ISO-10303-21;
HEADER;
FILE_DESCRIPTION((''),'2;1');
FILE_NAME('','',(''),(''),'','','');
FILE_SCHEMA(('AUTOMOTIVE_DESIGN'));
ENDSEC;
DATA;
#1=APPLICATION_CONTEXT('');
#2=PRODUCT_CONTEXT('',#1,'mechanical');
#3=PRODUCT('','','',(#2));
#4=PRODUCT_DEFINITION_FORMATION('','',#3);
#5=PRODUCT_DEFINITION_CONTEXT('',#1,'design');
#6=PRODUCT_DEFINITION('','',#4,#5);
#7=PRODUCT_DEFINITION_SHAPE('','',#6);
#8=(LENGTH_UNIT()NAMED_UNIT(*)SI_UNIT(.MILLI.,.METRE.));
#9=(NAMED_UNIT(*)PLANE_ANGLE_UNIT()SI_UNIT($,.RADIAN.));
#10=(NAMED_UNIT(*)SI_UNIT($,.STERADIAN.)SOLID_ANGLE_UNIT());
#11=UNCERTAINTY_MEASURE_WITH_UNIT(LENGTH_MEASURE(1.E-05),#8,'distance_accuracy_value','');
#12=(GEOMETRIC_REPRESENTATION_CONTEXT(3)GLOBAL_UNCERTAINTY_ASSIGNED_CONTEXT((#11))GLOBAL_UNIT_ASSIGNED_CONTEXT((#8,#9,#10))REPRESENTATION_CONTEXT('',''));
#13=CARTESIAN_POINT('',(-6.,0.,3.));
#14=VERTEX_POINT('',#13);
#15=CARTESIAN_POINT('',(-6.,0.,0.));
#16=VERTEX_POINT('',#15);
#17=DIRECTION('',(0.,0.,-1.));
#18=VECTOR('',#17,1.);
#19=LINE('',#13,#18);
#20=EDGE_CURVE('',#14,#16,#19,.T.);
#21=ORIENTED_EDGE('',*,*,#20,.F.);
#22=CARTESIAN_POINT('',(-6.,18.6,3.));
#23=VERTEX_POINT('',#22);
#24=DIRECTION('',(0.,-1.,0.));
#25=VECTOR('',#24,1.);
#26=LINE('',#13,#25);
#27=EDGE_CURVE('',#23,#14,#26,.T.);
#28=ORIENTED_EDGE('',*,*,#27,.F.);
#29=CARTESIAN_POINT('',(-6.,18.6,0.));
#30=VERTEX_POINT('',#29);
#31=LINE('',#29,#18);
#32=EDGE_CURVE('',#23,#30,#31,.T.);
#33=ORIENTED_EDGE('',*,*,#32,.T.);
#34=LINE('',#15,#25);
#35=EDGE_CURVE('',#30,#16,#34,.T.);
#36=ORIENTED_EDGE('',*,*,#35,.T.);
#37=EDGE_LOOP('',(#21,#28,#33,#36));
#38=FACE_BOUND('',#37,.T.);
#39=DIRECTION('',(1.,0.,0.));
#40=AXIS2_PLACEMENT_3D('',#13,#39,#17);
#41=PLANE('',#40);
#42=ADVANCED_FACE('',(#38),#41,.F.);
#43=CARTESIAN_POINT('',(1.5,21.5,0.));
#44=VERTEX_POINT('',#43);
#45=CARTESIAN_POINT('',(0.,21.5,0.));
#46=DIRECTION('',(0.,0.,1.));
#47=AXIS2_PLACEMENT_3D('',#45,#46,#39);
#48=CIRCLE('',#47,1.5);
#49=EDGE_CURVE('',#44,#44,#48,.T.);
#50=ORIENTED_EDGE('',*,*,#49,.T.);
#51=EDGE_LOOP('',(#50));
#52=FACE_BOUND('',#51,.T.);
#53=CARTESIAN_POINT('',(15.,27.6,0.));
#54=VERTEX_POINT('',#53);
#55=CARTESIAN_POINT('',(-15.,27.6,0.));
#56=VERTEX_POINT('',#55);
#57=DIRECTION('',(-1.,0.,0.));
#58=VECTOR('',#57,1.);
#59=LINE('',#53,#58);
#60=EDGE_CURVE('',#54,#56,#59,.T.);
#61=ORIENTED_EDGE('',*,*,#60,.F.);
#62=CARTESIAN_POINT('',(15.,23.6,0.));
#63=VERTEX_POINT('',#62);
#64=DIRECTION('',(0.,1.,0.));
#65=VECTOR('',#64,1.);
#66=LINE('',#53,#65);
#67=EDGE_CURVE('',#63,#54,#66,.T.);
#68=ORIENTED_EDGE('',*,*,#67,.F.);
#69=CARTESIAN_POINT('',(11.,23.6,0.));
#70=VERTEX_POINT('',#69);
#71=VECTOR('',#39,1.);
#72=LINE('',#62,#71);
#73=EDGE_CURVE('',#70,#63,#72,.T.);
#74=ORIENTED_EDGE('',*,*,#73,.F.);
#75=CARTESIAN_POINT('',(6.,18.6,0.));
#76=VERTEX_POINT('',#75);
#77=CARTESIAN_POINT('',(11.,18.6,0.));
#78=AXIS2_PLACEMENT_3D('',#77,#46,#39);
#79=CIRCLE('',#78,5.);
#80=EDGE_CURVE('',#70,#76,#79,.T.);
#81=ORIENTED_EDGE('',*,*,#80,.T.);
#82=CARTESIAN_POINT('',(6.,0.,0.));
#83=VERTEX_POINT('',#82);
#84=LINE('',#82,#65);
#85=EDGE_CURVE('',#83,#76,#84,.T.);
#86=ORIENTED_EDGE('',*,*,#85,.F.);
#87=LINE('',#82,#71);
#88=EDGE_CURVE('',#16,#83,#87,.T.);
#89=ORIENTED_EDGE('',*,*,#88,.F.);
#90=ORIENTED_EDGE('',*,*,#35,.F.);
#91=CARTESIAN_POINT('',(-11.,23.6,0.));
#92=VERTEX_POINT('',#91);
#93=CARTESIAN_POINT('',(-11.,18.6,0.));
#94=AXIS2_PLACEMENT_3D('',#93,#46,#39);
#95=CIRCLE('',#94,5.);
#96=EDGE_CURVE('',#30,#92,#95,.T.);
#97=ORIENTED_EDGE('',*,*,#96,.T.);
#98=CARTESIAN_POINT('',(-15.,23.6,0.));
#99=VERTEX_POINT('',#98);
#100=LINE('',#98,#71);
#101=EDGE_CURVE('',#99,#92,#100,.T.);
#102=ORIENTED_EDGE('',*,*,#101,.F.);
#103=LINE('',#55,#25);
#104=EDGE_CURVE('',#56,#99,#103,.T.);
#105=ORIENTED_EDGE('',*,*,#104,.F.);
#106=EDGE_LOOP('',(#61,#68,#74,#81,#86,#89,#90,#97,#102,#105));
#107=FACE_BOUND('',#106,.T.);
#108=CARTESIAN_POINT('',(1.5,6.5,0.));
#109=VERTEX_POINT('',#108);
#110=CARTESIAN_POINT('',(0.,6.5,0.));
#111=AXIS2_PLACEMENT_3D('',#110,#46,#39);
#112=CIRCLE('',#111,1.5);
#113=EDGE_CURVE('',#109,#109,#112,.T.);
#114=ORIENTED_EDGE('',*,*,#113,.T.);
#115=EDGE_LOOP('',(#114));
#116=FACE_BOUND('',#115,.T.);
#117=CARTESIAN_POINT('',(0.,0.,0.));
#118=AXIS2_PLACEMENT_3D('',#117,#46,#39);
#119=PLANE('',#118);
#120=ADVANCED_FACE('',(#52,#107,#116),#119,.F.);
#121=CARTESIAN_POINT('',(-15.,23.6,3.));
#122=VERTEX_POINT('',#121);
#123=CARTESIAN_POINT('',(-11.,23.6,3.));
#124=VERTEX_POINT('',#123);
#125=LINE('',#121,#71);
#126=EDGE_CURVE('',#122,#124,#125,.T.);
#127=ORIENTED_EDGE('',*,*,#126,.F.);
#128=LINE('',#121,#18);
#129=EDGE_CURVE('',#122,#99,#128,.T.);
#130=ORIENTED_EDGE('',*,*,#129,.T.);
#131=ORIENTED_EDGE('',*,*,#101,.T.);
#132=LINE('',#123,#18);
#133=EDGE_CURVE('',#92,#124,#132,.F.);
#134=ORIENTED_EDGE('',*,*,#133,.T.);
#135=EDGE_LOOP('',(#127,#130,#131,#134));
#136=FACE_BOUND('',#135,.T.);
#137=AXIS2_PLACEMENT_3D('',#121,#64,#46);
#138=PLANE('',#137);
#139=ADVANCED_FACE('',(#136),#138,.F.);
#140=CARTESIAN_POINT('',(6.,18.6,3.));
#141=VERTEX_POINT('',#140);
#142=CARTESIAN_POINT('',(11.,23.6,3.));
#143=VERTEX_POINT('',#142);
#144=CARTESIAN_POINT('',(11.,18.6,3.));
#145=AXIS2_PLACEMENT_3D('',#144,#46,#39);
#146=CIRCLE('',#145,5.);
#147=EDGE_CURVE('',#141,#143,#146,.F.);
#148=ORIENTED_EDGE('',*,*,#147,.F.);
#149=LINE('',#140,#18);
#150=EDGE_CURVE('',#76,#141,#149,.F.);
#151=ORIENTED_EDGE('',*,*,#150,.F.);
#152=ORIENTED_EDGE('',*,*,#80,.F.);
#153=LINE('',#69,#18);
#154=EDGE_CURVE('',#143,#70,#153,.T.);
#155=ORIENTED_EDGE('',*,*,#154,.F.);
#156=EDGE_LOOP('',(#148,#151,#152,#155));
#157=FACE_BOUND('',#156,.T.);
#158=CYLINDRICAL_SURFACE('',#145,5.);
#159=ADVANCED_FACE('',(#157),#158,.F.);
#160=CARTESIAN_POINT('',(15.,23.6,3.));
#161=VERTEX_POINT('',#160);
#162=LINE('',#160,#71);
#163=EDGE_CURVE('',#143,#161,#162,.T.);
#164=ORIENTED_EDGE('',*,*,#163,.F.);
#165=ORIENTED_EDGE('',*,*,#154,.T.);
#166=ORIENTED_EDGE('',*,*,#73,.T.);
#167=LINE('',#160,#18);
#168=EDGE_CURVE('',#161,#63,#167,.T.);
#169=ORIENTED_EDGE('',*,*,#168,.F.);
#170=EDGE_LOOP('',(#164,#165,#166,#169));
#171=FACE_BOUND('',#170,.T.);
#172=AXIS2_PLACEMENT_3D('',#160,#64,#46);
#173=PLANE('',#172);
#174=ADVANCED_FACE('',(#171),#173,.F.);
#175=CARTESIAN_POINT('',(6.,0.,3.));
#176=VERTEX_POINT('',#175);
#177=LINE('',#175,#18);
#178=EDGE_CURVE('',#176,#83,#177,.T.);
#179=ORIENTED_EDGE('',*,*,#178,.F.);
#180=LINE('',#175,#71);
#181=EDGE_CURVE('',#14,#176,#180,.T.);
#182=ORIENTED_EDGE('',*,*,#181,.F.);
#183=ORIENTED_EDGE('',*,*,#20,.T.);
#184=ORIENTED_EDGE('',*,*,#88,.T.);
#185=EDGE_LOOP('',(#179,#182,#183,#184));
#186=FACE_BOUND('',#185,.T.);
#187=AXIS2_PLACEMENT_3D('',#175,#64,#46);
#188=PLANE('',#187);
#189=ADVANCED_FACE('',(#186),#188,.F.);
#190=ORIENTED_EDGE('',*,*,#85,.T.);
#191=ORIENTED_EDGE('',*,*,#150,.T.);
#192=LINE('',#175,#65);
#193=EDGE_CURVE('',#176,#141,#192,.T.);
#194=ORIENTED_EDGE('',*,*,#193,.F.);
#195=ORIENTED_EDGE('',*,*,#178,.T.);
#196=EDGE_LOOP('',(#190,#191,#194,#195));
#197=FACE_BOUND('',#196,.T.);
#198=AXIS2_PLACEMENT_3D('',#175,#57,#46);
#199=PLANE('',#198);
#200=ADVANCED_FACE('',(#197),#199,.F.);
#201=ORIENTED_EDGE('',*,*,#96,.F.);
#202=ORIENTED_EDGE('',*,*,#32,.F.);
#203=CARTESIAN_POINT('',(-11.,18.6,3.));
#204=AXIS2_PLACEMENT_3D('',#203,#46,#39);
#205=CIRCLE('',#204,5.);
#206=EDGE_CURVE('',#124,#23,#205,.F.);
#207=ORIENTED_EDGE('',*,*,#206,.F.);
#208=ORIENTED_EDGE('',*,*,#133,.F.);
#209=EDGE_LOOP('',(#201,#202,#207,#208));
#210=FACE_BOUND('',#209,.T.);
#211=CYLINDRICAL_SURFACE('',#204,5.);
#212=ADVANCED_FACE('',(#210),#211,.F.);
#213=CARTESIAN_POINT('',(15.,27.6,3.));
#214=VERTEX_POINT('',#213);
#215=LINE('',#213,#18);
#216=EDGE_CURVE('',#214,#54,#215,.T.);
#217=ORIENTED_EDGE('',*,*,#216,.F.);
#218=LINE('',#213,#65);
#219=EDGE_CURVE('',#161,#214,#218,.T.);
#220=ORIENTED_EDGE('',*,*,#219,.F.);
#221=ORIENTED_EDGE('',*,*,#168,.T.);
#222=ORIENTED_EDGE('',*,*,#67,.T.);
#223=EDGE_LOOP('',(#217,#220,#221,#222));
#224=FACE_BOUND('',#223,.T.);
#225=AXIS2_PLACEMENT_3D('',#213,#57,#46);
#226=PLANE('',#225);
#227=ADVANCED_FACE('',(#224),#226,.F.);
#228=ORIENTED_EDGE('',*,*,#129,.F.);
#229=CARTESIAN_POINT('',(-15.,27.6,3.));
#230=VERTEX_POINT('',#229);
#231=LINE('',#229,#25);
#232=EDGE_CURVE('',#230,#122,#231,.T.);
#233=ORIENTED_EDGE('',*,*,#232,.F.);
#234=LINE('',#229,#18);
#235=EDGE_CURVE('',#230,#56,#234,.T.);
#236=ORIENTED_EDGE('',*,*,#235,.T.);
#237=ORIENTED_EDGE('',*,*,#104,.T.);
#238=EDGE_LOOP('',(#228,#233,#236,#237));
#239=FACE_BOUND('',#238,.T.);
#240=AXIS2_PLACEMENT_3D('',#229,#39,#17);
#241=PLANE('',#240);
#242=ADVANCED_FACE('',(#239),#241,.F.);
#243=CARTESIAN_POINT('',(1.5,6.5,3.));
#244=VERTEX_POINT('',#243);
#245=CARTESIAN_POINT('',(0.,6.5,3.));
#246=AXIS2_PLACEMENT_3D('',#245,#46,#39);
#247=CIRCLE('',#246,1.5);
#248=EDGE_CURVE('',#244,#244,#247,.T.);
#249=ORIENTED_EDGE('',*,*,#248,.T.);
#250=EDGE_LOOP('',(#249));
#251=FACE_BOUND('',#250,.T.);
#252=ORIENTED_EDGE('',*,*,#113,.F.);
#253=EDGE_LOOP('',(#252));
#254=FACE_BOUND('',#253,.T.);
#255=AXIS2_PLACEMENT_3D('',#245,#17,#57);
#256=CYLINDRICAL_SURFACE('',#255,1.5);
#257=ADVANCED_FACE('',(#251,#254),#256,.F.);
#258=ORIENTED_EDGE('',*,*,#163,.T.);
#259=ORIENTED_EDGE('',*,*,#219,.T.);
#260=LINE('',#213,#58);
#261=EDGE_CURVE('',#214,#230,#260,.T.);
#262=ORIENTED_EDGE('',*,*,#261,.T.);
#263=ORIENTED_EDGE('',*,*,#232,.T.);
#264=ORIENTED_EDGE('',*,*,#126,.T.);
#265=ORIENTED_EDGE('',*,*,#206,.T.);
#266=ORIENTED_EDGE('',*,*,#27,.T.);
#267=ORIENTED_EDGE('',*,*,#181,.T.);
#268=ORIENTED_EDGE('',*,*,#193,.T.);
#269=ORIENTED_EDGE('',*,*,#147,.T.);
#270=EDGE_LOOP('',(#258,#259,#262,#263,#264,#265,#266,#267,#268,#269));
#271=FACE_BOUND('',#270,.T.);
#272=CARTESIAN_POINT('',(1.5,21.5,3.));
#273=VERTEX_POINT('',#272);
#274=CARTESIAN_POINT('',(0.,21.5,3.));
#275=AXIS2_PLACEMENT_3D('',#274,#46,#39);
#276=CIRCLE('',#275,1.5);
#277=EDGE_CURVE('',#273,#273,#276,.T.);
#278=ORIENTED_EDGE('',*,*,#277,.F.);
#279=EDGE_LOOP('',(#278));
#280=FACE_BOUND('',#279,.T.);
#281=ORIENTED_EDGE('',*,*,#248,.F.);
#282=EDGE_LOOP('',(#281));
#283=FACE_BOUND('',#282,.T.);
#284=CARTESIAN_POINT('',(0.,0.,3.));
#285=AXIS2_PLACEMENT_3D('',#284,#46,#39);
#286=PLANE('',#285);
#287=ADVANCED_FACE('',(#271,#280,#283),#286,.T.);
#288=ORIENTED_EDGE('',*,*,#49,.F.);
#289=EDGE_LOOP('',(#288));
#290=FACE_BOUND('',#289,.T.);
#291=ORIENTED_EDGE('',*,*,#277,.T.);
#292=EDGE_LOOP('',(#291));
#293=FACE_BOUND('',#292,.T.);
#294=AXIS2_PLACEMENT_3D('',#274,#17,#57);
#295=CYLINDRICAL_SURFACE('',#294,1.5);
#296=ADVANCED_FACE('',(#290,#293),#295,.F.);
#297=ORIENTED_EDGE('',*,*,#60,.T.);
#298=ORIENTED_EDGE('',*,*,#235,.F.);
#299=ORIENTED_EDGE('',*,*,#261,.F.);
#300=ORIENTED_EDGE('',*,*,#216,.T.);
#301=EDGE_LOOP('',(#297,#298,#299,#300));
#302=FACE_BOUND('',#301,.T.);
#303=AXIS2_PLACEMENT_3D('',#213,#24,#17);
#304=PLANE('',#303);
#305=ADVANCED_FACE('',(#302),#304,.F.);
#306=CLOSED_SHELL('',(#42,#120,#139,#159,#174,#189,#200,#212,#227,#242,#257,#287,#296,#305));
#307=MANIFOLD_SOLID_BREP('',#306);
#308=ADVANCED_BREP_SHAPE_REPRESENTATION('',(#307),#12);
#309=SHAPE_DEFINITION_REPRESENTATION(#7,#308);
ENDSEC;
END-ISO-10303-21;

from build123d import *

# Parameters (mm, degrees)
SKETCH1_R           = 1.5
BOSS_EXTRUDE1_DEPTH = 3
FILLET1_R           = 5
FILLET2_R           = 5


with BuildPart() as part:
    # Sketch1 → Boss-Extrude1 (new body)
    with BuildSketch(Plane.XY):
        Polygon((6, 0), (-6, 0), (-6, 23.6), (-15, 23.6), (-15, 27.6), (15, 27.6), (15, 23.6), (6, 23.6), align=None)
        with Locations((0, 6.5)):
            Circle(SKETCH1_R, mode=Mode.SUBTRACT)
        with Locations((0, 21.5)):
            Circle(SKETCH1_R, mode=Mode.SUBTRACT)
    extrude(amount=BOSS_EXTRUDE1_DEPTH)

    # Fillet1
    fillet1_edges = [part.edges().sort_by_distance(p)[0] for p in [
        (-6, 23.6, 1.5),
    ]]
    fillet(fillet1_edges, radius=FILLET1_R)

    # Fillet2
    fillet2_edges = [part.edges().sort_by_distance(p)[0] for p in [
        (6, 23.6, 1.5),
    ]]
    fillet(fillet2_edges, radius=FILLET2_R)


solid = part.part
